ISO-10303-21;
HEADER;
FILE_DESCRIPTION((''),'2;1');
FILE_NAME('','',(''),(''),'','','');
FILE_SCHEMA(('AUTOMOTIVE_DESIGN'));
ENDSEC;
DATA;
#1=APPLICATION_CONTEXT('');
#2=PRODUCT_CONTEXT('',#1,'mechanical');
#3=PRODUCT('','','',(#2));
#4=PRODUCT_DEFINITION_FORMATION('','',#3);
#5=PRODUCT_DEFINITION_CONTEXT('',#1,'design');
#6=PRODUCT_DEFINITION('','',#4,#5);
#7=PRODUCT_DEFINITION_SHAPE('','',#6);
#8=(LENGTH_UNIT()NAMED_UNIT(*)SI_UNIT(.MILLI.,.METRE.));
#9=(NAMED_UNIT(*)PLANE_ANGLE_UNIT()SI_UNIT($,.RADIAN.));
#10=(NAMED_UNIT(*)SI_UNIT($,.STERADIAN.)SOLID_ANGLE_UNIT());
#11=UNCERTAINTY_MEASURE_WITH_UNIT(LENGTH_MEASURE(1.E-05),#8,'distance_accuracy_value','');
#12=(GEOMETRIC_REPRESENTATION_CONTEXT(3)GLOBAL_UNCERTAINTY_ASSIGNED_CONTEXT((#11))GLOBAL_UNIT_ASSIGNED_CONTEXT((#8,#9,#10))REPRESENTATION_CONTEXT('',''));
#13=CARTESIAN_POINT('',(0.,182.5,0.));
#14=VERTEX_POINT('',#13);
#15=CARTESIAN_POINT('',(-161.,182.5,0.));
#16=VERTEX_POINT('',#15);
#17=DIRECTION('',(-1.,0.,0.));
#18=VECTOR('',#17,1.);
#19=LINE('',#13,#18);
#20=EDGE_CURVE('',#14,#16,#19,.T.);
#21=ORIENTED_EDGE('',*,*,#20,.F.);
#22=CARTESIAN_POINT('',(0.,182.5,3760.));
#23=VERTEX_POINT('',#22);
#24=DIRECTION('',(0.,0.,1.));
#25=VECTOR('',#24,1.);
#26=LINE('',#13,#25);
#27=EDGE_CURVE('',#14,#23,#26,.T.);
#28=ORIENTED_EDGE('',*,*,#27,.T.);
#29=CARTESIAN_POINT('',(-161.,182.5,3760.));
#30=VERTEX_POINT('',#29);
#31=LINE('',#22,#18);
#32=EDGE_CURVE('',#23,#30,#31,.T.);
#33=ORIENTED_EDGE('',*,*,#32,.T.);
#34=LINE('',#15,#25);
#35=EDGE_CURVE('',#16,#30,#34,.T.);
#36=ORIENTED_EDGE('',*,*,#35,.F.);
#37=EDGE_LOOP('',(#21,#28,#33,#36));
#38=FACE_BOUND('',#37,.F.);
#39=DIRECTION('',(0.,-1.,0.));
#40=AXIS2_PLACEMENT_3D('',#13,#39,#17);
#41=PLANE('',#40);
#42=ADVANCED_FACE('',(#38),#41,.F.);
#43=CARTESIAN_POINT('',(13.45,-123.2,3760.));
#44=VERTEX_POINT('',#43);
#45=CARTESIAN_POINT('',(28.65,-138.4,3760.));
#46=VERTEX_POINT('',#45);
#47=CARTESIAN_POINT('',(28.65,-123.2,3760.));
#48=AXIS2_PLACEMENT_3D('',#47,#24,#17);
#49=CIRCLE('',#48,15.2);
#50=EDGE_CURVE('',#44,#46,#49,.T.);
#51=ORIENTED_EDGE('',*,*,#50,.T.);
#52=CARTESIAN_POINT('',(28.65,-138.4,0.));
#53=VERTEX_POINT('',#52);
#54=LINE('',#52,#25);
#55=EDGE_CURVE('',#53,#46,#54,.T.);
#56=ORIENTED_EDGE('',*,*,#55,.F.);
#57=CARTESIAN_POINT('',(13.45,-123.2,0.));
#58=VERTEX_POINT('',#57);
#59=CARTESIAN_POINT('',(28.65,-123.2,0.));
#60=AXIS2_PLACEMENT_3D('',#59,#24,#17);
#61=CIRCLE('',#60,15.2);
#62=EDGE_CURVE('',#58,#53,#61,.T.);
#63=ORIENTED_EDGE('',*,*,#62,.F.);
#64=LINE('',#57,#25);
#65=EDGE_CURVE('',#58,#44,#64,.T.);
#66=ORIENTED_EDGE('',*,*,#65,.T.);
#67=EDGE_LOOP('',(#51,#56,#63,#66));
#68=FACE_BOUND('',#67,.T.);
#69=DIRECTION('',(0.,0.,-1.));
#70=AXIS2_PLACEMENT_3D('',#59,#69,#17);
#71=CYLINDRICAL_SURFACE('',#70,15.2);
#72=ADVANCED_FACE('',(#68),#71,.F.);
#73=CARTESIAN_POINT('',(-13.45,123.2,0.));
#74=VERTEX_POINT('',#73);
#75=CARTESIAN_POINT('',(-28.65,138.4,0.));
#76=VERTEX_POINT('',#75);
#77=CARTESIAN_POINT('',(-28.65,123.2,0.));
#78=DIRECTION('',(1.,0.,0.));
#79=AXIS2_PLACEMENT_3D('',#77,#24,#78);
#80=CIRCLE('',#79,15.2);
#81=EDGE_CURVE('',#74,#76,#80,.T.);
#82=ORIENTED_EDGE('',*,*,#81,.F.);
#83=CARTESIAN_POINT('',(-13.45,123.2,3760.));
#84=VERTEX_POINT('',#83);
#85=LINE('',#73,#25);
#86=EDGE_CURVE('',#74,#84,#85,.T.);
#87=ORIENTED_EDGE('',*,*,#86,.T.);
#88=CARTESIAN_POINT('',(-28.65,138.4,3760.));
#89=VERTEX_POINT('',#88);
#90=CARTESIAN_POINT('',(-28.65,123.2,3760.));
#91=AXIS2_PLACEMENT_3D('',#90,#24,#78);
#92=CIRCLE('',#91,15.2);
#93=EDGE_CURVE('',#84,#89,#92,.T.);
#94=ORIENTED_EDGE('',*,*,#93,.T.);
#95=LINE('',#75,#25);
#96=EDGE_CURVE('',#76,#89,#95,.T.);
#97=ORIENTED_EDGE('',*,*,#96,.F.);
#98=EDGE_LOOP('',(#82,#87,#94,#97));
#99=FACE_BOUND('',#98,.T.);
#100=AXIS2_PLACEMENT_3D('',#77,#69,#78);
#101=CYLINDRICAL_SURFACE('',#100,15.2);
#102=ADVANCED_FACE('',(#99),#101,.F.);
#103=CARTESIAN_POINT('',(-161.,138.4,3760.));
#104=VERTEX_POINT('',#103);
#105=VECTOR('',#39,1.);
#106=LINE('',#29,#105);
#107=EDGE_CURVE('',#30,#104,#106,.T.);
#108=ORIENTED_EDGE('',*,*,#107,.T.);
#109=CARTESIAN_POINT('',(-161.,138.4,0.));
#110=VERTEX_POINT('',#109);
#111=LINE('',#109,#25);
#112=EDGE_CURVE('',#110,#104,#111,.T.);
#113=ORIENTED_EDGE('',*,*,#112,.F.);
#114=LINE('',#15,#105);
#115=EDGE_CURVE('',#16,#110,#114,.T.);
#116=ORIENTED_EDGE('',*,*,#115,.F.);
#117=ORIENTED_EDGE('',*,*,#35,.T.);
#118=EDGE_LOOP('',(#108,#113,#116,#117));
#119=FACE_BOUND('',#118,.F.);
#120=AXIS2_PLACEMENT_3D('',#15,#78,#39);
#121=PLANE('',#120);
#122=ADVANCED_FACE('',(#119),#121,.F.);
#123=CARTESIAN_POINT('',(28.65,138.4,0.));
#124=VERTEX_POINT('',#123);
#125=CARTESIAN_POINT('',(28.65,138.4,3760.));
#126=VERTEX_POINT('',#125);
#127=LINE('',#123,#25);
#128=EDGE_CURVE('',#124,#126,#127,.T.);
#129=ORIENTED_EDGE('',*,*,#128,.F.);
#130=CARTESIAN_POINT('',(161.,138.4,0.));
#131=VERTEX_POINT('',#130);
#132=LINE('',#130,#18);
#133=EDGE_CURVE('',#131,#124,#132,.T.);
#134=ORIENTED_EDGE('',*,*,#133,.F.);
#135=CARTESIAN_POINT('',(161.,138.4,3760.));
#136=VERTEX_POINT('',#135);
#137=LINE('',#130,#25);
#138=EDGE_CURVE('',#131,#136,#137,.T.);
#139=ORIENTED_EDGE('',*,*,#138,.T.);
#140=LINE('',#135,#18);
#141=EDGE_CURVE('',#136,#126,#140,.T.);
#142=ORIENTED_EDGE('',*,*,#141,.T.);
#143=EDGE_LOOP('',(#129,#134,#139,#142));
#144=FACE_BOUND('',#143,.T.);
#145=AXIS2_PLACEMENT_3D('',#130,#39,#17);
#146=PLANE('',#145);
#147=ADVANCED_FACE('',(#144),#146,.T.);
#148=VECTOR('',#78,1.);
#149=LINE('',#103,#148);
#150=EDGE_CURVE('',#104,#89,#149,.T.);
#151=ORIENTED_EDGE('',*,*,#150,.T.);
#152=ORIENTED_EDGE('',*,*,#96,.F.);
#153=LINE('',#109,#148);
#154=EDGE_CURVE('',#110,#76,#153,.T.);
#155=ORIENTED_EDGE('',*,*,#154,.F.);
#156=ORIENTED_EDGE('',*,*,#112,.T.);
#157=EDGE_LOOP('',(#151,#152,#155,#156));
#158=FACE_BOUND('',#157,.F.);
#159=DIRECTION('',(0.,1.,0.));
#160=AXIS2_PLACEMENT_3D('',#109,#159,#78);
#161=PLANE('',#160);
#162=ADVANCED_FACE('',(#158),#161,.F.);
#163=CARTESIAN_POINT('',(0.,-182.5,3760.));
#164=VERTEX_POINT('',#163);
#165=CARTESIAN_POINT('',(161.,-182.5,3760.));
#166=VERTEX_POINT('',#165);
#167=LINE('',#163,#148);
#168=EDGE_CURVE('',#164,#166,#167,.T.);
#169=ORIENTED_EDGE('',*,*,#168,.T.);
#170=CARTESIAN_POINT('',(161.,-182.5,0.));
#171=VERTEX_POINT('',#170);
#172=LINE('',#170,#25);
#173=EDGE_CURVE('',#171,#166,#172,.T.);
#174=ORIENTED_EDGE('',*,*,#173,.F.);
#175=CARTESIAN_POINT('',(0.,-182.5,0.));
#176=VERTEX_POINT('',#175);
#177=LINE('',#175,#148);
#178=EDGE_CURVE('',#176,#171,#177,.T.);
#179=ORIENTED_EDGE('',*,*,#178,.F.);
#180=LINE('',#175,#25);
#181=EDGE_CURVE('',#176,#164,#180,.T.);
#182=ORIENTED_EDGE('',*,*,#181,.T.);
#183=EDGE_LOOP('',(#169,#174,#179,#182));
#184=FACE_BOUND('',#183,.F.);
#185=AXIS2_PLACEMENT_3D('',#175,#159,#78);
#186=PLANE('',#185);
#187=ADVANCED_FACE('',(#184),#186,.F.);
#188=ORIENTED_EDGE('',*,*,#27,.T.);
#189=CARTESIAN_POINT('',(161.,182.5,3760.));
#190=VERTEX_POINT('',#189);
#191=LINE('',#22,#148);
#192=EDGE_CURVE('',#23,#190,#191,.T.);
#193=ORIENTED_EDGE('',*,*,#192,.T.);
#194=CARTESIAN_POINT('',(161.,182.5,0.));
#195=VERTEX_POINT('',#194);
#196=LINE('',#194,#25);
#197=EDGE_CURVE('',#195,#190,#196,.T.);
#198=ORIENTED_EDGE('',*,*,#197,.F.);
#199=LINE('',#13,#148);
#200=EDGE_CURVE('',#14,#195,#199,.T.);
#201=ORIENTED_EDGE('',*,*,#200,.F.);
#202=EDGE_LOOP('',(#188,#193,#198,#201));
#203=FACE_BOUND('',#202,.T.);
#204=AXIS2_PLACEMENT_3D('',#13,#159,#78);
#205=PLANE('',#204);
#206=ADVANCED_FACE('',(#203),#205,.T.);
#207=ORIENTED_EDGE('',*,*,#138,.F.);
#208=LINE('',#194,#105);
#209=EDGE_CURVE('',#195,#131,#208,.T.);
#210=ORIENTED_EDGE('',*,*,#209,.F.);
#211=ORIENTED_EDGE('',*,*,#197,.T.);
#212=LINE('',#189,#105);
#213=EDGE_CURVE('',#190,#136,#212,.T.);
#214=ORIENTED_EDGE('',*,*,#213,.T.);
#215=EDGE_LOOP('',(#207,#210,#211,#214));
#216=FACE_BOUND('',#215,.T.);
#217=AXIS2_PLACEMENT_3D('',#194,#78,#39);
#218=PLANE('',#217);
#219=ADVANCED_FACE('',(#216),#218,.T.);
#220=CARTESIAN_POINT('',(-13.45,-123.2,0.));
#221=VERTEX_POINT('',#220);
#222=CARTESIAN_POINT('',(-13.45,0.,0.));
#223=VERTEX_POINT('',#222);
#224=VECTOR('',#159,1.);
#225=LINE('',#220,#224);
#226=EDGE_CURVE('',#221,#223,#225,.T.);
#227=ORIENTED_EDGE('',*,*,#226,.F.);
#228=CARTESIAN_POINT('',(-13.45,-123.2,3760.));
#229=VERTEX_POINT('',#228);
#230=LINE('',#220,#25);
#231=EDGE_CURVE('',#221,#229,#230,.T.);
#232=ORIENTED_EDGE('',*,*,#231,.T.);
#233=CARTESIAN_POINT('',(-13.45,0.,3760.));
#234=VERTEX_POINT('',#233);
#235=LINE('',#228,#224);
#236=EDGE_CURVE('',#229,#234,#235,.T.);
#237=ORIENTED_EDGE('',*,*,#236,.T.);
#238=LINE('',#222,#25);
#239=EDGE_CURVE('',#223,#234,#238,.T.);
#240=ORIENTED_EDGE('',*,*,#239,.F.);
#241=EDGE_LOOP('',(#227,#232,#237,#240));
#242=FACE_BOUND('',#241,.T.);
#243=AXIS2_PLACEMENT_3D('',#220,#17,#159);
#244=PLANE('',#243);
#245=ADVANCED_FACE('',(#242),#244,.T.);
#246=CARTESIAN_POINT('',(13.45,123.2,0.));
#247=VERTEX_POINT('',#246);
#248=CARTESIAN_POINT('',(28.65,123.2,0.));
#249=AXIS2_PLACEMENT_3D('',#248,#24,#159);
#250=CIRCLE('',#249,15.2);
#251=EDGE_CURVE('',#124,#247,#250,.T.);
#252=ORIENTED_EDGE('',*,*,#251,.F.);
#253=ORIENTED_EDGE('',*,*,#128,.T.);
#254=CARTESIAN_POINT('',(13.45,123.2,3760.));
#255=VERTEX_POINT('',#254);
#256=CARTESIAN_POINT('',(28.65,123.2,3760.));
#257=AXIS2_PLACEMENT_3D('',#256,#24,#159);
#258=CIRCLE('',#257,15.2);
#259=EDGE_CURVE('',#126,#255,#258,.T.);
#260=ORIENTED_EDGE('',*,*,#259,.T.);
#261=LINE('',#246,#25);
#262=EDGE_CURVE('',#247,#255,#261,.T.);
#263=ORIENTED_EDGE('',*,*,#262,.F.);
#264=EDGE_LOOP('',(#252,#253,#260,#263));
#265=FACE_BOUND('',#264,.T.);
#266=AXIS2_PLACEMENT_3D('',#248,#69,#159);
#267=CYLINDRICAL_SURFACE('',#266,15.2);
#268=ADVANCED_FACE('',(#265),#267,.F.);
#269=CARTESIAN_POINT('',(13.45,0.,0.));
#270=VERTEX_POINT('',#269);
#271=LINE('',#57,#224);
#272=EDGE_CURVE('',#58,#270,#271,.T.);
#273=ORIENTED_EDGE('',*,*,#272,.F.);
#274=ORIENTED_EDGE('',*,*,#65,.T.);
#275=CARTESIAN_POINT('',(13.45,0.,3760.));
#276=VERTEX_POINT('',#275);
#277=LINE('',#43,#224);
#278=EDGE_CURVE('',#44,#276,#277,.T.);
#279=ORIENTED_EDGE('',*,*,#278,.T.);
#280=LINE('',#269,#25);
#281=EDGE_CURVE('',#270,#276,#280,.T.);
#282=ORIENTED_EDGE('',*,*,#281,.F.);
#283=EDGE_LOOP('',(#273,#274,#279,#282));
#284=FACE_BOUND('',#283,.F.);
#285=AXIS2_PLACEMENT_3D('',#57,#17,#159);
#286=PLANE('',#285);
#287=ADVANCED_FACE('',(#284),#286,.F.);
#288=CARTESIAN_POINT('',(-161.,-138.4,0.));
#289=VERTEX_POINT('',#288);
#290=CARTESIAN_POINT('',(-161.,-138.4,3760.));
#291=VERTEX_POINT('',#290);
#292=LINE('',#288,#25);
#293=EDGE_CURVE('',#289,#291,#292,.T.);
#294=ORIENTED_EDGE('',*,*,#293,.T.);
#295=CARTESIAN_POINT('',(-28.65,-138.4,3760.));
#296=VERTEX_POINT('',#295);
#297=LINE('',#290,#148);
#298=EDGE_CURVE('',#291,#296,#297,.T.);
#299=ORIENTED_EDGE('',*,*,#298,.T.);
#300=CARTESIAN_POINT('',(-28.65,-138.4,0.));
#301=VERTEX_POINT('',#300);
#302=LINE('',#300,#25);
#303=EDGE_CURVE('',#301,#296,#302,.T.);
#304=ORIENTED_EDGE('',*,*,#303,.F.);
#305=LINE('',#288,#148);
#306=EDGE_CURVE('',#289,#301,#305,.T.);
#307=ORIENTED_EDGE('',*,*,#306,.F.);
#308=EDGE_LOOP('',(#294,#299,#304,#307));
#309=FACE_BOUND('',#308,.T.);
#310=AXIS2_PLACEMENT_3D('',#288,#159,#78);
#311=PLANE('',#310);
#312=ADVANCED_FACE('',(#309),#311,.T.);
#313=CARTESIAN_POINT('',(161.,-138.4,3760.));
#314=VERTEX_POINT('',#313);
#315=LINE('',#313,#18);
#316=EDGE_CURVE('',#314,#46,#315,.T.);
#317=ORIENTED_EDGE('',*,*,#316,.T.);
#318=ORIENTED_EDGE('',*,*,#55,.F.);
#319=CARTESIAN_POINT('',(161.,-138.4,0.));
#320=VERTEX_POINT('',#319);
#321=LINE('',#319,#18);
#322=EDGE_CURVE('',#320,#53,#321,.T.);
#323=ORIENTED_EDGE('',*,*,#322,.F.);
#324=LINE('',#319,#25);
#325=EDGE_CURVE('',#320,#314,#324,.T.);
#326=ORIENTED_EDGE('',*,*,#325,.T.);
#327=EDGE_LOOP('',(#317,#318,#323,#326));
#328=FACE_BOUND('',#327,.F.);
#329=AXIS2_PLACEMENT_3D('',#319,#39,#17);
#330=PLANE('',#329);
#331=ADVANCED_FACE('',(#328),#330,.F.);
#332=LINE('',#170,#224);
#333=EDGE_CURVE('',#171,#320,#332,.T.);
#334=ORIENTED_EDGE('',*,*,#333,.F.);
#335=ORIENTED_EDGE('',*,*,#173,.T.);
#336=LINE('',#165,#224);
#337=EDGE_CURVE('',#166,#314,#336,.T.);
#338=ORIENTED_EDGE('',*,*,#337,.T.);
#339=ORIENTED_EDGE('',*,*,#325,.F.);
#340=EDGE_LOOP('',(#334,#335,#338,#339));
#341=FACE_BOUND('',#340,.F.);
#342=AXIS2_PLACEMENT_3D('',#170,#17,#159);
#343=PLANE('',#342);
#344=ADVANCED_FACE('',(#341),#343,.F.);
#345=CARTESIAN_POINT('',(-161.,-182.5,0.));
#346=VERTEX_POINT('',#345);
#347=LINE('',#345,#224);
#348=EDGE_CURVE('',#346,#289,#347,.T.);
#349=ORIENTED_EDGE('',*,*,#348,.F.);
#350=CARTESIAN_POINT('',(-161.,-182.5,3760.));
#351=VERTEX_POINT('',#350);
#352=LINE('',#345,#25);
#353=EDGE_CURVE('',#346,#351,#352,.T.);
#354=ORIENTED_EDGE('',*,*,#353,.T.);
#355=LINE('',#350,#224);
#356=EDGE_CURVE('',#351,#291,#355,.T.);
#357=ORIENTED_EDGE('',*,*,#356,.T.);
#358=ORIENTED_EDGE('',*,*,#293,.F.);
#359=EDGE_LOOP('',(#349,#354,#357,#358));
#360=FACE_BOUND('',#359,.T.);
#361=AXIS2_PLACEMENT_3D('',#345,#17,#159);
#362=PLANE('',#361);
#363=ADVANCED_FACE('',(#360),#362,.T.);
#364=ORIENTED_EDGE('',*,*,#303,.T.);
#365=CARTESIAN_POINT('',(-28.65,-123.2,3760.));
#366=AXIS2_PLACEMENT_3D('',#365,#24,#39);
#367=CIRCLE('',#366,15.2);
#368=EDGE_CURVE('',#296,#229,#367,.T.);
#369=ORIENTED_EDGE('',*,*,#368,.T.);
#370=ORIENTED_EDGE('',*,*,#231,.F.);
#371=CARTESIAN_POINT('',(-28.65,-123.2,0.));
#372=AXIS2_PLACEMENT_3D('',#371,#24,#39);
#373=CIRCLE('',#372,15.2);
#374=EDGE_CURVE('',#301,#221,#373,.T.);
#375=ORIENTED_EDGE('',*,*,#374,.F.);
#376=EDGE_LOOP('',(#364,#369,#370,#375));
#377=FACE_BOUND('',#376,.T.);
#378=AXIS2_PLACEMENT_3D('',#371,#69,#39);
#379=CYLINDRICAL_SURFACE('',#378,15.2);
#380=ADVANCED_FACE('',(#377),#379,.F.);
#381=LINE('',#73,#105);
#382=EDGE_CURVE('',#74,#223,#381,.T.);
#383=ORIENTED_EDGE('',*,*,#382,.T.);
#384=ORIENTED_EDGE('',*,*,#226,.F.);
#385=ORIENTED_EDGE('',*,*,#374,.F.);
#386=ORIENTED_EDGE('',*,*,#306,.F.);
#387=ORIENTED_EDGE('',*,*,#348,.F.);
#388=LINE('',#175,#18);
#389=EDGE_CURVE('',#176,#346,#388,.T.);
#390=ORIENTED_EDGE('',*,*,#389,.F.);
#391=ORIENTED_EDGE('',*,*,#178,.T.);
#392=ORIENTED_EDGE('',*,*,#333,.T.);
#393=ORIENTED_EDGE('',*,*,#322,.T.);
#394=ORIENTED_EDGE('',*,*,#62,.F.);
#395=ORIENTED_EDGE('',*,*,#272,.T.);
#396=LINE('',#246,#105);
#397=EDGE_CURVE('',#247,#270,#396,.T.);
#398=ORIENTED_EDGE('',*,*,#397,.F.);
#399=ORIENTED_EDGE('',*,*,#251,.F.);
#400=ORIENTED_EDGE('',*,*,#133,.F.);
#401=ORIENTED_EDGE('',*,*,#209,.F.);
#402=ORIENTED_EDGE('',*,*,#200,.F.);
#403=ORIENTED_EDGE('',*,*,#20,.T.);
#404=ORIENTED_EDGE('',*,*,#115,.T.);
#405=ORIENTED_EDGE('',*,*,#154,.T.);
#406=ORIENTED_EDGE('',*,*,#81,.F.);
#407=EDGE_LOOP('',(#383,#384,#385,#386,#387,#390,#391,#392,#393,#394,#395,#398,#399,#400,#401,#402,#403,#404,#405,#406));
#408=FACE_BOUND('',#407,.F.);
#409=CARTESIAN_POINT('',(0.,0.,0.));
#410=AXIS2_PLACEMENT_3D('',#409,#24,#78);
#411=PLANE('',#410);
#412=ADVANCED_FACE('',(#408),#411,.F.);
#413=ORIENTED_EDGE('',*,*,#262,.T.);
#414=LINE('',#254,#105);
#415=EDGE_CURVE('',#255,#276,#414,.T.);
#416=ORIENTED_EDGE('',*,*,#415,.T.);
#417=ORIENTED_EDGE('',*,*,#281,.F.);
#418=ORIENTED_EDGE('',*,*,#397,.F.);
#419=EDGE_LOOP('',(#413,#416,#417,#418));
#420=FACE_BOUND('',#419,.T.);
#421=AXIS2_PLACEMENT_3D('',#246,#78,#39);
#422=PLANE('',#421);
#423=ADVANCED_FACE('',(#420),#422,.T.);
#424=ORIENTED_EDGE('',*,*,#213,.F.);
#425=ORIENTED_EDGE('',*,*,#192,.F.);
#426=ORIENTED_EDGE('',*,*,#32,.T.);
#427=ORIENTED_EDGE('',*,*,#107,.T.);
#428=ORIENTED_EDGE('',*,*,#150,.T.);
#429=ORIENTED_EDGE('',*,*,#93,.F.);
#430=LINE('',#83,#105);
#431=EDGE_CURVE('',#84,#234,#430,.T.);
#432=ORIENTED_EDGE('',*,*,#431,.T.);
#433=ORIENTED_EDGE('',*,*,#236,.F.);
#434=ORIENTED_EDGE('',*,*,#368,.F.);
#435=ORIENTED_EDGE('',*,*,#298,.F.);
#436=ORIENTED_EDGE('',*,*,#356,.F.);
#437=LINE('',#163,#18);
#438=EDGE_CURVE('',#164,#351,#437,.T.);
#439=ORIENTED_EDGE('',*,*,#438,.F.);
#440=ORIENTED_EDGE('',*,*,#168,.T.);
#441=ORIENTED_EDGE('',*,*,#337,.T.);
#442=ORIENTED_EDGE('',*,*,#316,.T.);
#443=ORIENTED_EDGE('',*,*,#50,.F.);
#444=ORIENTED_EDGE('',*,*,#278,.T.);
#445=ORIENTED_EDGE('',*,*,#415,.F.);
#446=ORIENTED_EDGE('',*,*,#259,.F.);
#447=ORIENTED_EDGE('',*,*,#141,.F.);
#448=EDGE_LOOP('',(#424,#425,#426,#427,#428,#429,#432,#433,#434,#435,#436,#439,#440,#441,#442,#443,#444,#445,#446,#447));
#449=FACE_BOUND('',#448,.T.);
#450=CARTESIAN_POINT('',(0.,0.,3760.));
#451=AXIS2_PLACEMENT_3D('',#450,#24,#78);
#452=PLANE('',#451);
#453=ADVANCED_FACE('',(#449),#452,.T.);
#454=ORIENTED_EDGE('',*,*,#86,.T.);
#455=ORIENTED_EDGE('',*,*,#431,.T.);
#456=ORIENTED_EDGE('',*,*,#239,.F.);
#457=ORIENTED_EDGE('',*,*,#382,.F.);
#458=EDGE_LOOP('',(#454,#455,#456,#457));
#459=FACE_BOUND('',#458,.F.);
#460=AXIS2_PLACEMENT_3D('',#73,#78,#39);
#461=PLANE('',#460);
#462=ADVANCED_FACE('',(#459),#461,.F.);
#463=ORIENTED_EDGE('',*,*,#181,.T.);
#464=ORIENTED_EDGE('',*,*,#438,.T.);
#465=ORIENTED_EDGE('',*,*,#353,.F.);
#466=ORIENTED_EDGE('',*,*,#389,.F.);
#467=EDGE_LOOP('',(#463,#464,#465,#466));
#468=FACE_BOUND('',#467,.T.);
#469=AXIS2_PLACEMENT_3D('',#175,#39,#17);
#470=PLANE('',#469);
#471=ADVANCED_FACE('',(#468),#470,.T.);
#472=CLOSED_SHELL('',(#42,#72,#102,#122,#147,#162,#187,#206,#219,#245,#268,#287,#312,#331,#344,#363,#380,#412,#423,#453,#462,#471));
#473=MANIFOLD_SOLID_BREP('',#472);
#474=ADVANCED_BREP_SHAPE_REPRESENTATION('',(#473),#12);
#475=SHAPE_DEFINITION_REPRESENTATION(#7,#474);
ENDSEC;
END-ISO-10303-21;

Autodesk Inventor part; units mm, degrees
ref_plane "YZ Plane" through (0, 0, 0) normal (1, 0, 0) x (0, 1, 0)
ref_plane "Start plane" through (0, 0, 0) normal (0, 0, 1) x (1, 0, 0)
ref_plane "End plane" through (0, 0, 3760) normal (0, 0, 1) x (1, 0, 0)
sketch "Sketch" plane through (0, 0, 0) normal (0, 0, 1) x (1, 0, 0)
  line L0 (-161, -182.5) -> (-161, -138.4)
  line L1 (-161, -138.4) -> (-28.65, -138.4)
  line L2 (-13.45, -123.2) -> (-13.45, 0)
  line L3 (-13.45, 0) -> (0, 0) construction
  line L4 (0, 0) -> (0, -182.5) construction
  line L5 (0, -182.5) -> (-161, -182.5)
  line L6 (-60, 0) -> (80, 0) construction
  line L7 (0, -60) -> (0, 80) construction
  line L8 (161, -182.5) -> (161, -138.4)
  line L9 (161, -138.4) -> (28.65, -138.4)
  line L10 (13.45, -123.2) -> (13.45, 0)
  line L11 (13.45, 0) -> (0, 0) construction
  line L12 (0, -182.5) -> (161, -182.5)
  line L13 (-161, 182.5) -> (-161, 138.4)
  line L14 (-161, 138.4) -> (-28.65, 138.4)
  line L15 (-13.45, 123.2) -> (-13.45, 0)
  line L16 (0, 182.5) -> (-161, 182.5)
  line L17 (161, 182.5) -> (161, 138.4)
  line L18 (161, 138.4) -> (28.65, 138.4)
  line L19 (0, 182.5) -> (161, 182.5)
  line L20 (13.45, 123.2) -> (13.45, 0)
  arc A0 (-13.45, 123.2) -> (-28.65, 138.4) centre (-28.65, 123.2) ccw
  arc A1 (28.65, 138.4) -> (13.45, 123.2) centre (28.65, 123.2) ccw
  arc A2 (13.45, -123.2) -> (28.65, -138.4) centre (28.65, -123.2) ccw
  arc A3 (-28.65, -138.4) -> (-13.45, -123.2) centre (-28.65, -123.2) ccw
  line L21 (0, 108) -> (0, -88) construction
  line L22 (-88, 0) -> (108, 0) construction
  point P0 (-13.45, -138.4)
  point P1 (13.45, -138.4)
  point P2 (-13.45, 138.4)
  point P3 (13.45, 138.4)
  dimension "d1" = 182.5
  dimension "d2" = 44.1
  dimension "d3" = 161
  dimension "d4" = 13.45
  dimension "d10" = 15.2
extrude "Body" add sketch "Sketch" along normal up to surface (3760 mm away) from surface at 0
sketch "Sketch4" plane through (0, 0, 0) normal (0, 0, 1) x (1, 0, 0)
  line L0 (0, 0) -> (10, 0)
ref_plane "Work Plane3" through (0, 0, 0) normal (0, -1, 0) x (1, 0, 0)
sketch "Sketch5" plane through (0, 0, 0) normal (0, -1, 0) x (1, 0, 0)
  line L0 (-2, 0) -> (12, 0) projected
  line L1 (-2, 3760) -> (12, 3760) projected
  dimension "d14" = 3760
equation "\"d1\" = 0.5 * G_H"
equation "\"d2\" = G_T1"
equation "\"d3\" = 0.5 * G_W"
equation "\"d4\" = 0.5 * G_T"
equation "\"d10\" = G_IR"
equation "\"d5\" = G_L"
equation "\"G_W\" = 322"
equation "\"G_H\" = 365"
equation "\"G_T\" = 26.9"
equation "\"G_T1\" = 44.1"
equation "\"G_IR\" = 15.2"
equation "\"G_L\" = d14"
equation "\"G_OFFSET_START\" = 0"
equation "\"G_OFFSET_END\" = 0"
properties part number "AS 3679 - 310 UC - 283 - 3760" material "Steel, Mild"
